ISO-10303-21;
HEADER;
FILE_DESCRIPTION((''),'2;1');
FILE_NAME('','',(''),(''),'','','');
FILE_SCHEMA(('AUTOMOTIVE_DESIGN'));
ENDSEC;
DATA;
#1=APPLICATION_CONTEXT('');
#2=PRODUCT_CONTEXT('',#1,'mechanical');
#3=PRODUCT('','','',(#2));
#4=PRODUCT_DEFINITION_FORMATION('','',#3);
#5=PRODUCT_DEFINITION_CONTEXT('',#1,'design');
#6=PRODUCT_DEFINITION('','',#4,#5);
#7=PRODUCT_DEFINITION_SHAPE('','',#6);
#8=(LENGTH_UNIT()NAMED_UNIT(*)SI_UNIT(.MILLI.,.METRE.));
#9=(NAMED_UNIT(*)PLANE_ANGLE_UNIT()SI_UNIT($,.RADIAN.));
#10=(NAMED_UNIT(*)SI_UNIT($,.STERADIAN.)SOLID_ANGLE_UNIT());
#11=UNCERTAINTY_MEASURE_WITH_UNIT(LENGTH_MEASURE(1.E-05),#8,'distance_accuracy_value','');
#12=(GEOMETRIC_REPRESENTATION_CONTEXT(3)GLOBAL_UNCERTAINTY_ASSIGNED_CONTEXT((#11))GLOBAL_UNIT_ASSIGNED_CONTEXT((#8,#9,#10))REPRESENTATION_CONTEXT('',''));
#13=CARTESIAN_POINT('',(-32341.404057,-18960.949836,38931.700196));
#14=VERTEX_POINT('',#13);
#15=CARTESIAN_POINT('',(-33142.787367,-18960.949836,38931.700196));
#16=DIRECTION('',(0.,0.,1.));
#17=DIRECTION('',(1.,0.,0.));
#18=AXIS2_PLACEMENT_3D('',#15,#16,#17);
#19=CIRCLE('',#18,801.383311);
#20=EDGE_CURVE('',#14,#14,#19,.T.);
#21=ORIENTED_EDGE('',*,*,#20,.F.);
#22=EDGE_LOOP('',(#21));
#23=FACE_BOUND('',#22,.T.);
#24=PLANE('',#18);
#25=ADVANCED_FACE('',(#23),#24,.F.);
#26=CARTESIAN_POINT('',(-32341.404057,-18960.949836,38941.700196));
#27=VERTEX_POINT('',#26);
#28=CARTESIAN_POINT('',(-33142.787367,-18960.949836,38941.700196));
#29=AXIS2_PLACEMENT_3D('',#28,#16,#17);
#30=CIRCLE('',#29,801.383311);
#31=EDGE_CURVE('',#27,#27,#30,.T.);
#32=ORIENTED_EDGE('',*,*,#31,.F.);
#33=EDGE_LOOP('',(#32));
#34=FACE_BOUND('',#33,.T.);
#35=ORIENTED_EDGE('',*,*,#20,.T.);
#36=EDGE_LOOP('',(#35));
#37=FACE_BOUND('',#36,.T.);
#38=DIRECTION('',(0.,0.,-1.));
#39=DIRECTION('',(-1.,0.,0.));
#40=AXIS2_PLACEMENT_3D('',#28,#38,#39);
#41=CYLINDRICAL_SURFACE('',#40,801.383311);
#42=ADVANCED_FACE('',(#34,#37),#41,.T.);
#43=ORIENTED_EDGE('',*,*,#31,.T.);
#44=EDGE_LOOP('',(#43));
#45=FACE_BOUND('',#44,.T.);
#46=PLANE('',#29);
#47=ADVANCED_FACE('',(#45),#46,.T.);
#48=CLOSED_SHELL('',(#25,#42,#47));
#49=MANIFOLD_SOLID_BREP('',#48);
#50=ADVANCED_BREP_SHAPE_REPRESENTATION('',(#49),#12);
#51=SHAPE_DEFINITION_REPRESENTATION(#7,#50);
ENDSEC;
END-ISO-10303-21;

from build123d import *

# Parameters (mm, degrees)
ESBO_O1_R                = 801.383310629
RESSALTO_EXTRUS_O1_DEPTH = 10


with BuildPart() as part:
    # Esboço1 → Ressalto-extrusão1 (new body)
    with BuildSketch(Plane.XY.offset(38931.700196057)):
        with Locations((-33142.787367345, -18960.949835815)):
            Circle(ESBO_O1_R)
    extrude(amount=RESSALTO_EXTRUS_O1_DEPTH)


solid = part.part
